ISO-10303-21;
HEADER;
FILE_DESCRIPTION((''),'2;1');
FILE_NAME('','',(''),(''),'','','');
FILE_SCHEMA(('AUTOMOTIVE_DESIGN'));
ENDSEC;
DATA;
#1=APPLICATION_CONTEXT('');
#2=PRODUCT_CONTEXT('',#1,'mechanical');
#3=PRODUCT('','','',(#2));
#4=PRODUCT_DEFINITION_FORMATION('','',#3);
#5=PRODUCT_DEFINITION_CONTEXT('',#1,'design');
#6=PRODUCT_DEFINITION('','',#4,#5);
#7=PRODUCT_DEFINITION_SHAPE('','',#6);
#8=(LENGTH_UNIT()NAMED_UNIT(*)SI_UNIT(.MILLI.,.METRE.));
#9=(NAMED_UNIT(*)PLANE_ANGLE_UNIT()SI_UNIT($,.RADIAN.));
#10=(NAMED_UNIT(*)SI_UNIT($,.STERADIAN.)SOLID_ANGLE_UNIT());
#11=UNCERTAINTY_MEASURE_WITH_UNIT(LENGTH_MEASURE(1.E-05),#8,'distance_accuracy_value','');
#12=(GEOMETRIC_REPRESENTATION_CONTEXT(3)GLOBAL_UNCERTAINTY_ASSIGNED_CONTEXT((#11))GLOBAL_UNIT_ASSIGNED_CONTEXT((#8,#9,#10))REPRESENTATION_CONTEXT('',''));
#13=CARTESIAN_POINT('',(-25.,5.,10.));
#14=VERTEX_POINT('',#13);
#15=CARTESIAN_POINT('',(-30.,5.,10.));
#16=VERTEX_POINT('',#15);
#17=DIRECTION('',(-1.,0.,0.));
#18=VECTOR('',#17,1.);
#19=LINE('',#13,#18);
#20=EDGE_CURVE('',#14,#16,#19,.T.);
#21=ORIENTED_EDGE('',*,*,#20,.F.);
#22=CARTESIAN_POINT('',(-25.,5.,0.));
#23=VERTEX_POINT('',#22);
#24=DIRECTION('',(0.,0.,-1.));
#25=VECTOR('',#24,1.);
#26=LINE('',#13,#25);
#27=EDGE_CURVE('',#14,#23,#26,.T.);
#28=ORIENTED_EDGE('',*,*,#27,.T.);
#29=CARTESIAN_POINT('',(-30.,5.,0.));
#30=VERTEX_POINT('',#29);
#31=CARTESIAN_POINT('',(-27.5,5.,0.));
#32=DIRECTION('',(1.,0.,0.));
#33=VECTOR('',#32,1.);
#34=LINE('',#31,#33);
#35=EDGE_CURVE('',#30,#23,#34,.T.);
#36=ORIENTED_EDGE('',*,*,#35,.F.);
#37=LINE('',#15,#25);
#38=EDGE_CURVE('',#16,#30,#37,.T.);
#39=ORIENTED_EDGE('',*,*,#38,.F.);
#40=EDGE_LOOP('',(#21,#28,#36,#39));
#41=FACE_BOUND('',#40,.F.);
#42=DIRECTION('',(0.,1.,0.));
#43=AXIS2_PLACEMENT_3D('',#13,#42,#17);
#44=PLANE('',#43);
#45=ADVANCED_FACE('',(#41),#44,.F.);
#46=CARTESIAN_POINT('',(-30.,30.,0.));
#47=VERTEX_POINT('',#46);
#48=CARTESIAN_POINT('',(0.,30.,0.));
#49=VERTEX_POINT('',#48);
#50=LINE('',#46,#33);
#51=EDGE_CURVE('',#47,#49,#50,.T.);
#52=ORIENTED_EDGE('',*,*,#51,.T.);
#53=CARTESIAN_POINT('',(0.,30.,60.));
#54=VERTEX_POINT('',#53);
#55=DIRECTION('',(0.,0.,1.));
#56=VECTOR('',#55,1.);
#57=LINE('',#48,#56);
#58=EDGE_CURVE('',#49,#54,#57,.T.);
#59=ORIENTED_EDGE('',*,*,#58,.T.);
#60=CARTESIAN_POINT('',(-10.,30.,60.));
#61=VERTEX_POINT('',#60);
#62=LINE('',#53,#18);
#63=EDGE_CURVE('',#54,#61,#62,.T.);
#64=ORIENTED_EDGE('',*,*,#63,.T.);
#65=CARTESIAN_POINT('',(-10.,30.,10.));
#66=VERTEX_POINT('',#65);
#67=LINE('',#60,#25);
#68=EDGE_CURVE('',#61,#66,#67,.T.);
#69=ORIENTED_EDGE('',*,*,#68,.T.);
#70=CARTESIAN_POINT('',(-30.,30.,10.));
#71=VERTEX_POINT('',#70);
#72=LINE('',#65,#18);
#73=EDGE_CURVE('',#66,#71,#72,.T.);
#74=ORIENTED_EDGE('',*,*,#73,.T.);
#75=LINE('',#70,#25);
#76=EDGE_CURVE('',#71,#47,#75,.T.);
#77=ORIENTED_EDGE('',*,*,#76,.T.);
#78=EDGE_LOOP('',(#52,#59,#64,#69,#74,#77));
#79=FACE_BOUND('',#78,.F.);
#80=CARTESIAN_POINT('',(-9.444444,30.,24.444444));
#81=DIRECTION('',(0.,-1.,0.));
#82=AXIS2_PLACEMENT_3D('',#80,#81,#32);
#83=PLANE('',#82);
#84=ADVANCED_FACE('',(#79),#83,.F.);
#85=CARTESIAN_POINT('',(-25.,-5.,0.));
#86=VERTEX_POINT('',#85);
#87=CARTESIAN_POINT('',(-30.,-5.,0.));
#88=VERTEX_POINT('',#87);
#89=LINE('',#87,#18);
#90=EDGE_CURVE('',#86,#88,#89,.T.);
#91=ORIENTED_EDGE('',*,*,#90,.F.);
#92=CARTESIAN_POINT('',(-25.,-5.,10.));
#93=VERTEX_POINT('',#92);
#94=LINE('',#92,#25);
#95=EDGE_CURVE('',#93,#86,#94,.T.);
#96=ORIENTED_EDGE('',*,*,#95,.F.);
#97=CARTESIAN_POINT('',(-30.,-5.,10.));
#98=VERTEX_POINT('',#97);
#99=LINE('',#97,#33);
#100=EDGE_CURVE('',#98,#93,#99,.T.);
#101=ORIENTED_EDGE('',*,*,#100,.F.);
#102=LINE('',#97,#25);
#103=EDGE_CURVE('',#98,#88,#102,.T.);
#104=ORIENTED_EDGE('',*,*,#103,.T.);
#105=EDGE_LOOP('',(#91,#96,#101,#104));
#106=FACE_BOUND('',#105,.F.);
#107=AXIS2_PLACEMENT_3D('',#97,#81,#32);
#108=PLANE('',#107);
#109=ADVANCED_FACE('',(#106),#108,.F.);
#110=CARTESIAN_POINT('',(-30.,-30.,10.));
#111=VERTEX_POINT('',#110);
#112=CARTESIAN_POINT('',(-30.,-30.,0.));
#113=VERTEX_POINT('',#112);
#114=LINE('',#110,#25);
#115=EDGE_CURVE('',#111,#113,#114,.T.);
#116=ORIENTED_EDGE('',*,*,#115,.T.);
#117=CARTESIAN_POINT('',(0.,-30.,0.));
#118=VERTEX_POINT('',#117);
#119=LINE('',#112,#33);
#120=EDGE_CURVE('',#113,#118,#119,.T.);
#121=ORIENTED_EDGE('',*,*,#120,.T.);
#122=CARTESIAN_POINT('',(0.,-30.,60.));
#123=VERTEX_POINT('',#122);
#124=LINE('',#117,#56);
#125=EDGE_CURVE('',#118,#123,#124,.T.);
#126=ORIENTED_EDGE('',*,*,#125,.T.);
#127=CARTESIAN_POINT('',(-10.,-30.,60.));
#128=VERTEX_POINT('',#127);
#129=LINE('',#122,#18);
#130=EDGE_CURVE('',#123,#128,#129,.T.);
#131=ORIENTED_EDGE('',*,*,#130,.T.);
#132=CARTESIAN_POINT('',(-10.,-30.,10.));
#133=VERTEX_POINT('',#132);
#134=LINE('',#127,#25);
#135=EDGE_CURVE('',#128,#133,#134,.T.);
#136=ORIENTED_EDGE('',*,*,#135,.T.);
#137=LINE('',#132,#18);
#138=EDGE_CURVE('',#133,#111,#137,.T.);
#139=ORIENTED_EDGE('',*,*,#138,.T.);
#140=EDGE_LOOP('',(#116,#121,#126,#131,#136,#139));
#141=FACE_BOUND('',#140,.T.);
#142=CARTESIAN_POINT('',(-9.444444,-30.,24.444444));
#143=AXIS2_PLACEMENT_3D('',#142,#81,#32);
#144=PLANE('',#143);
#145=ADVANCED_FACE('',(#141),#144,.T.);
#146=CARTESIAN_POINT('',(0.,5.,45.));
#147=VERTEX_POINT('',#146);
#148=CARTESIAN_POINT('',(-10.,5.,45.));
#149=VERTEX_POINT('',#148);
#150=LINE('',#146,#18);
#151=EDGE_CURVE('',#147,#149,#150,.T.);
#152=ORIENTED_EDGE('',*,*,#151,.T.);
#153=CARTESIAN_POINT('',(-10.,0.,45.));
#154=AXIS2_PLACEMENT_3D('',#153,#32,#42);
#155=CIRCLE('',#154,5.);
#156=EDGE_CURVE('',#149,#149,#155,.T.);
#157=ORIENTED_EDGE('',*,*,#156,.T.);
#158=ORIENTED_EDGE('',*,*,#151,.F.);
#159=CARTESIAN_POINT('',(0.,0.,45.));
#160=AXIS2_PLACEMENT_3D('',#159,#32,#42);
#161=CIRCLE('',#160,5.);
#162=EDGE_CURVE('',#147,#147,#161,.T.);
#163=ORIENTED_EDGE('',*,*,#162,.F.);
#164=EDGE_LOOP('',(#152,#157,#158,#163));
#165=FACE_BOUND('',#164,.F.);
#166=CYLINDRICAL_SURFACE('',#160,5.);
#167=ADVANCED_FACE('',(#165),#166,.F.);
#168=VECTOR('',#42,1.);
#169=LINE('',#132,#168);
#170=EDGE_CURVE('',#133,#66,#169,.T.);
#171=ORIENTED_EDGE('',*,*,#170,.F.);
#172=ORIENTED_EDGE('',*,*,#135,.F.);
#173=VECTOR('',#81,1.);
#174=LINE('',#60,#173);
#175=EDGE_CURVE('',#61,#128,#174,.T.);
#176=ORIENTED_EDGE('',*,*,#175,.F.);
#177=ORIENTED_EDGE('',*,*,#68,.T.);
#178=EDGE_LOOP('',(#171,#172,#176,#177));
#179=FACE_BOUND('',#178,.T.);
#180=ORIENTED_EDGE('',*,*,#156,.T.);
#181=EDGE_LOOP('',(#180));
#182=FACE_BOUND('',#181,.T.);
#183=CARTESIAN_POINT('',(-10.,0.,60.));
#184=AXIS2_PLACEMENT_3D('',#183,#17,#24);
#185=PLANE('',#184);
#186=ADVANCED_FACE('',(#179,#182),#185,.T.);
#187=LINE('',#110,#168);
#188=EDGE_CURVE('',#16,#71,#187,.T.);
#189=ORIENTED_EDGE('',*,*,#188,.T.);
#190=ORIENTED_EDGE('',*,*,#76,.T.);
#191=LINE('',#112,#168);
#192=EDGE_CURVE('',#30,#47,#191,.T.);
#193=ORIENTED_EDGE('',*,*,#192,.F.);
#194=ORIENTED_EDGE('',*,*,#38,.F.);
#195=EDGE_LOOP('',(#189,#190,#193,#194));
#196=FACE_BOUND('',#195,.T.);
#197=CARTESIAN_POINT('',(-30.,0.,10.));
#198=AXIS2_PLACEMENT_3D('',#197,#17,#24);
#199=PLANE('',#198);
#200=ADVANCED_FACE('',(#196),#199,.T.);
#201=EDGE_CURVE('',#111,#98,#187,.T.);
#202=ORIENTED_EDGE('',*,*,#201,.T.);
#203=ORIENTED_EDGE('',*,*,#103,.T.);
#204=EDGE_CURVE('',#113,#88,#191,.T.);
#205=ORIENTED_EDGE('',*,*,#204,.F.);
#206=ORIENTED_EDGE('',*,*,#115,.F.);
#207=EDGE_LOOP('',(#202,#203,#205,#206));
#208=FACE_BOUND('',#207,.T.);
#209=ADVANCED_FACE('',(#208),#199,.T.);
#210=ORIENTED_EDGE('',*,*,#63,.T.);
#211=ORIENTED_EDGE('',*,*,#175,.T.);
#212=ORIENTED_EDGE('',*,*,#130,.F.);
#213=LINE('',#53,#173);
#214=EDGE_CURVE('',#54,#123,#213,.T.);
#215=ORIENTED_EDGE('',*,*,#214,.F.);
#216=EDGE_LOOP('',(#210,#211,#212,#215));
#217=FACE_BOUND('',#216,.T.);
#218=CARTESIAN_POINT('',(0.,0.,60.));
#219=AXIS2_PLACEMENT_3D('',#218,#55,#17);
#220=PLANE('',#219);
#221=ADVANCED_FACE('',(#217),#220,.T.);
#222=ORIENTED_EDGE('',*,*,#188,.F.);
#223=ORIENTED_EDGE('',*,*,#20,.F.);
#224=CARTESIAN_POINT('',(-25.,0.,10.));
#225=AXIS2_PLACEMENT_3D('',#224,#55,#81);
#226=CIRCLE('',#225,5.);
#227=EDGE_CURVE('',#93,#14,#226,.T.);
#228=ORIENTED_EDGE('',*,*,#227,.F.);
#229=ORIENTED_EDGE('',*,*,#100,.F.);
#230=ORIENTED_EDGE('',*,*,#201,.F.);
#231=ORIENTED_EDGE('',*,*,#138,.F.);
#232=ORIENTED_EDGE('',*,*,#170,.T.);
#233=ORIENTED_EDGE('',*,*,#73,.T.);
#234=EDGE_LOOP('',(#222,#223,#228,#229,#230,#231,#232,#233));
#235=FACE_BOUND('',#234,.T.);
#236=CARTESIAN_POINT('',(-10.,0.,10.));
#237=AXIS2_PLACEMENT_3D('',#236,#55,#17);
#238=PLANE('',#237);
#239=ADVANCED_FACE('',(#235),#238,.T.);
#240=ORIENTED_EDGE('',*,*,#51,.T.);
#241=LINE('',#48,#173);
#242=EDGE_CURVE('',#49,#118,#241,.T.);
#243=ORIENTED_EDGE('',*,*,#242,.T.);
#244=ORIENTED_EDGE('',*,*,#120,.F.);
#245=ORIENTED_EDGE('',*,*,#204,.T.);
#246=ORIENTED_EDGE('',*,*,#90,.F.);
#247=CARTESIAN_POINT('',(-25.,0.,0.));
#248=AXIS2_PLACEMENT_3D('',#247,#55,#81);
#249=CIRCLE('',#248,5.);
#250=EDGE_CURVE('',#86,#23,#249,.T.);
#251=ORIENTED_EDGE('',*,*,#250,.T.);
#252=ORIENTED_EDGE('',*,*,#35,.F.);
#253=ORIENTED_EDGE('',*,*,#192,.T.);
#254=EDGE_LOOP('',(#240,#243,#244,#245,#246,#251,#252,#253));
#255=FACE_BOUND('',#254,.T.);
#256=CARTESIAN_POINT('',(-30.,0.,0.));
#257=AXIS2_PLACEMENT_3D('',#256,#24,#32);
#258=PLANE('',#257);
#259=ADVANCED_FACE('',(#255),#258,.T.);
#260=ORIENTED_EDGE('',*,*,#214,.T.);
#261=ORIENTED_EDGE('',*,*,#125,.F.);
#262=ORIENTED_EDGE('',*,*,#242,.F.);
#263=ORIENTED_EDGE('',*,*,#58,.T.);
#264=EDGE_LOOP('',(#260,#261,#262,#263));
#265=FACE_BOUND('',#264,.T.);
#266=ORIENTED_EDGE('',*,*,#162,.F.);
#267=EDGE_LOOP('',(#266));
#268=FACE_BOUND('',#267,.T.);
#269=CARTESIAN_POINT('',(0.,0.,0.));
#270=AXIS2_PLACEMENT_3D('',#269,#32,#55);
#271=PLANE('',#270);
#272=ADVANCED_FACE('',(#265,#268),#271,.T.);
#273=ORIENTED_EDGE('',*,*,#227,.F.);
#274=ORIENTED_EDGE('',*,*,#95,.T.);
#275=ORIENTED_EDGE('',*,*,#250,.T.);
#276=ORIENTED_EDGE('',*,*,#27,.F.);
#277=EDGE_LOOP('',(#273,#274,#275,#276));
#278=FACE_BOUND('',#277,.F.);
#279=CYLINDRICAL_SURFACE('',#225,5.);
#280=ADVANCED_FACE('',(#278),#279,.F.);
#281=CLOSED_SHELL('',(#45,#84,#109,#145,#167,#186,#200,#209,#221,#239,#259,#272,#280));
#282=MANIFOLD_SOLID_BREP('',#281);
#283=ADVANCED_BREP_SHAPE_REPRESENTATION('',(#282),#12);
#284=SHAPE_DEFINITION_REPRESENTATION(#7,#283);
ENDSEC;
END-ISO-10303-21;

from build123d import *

# Parameters (mm, degrees)
F1_DEPTH = 30
F2_R     = 5
F3_DEPTH = 28.448
F5_DEPTH = 25.4


with BuildPart() as f1:
    # F0 (on Front) → F1 (new body, symmetric)
    with BuildSketch(Plane.XZ):
        Polygon((-30, 0), (0, 0), (0, 60), (-10, 60), (-10, 10), (-30, 10), align=None)
    extrude(amount=F1_DEPTH, both=True)

    # F2 (on face) → F3 (cut)
    with BuildSketch(Plane.YZ):
        with Locations((0, 45)):
            Circle(F2_R)
    extrude(amount=-F3_DEPTH, mode=Mode.SUBTRACT)

    # F4 (on face) → F5 (cut)
    with BuildSketch(Plane.XY.offset(10)):
        with BuildLine():
            Line((-25, 5), (-30, 5))
            Line((-30, 5), (-30, -5))
            Line((-30, -5), (-25, -5))
            ThreePointArc((-25, -5), (-20, 0), (-25, 5))
        make_face()
    extrude(amount=-F5_DEPTH, mode=Mode.SUBTRACT)


solid = f1.part
